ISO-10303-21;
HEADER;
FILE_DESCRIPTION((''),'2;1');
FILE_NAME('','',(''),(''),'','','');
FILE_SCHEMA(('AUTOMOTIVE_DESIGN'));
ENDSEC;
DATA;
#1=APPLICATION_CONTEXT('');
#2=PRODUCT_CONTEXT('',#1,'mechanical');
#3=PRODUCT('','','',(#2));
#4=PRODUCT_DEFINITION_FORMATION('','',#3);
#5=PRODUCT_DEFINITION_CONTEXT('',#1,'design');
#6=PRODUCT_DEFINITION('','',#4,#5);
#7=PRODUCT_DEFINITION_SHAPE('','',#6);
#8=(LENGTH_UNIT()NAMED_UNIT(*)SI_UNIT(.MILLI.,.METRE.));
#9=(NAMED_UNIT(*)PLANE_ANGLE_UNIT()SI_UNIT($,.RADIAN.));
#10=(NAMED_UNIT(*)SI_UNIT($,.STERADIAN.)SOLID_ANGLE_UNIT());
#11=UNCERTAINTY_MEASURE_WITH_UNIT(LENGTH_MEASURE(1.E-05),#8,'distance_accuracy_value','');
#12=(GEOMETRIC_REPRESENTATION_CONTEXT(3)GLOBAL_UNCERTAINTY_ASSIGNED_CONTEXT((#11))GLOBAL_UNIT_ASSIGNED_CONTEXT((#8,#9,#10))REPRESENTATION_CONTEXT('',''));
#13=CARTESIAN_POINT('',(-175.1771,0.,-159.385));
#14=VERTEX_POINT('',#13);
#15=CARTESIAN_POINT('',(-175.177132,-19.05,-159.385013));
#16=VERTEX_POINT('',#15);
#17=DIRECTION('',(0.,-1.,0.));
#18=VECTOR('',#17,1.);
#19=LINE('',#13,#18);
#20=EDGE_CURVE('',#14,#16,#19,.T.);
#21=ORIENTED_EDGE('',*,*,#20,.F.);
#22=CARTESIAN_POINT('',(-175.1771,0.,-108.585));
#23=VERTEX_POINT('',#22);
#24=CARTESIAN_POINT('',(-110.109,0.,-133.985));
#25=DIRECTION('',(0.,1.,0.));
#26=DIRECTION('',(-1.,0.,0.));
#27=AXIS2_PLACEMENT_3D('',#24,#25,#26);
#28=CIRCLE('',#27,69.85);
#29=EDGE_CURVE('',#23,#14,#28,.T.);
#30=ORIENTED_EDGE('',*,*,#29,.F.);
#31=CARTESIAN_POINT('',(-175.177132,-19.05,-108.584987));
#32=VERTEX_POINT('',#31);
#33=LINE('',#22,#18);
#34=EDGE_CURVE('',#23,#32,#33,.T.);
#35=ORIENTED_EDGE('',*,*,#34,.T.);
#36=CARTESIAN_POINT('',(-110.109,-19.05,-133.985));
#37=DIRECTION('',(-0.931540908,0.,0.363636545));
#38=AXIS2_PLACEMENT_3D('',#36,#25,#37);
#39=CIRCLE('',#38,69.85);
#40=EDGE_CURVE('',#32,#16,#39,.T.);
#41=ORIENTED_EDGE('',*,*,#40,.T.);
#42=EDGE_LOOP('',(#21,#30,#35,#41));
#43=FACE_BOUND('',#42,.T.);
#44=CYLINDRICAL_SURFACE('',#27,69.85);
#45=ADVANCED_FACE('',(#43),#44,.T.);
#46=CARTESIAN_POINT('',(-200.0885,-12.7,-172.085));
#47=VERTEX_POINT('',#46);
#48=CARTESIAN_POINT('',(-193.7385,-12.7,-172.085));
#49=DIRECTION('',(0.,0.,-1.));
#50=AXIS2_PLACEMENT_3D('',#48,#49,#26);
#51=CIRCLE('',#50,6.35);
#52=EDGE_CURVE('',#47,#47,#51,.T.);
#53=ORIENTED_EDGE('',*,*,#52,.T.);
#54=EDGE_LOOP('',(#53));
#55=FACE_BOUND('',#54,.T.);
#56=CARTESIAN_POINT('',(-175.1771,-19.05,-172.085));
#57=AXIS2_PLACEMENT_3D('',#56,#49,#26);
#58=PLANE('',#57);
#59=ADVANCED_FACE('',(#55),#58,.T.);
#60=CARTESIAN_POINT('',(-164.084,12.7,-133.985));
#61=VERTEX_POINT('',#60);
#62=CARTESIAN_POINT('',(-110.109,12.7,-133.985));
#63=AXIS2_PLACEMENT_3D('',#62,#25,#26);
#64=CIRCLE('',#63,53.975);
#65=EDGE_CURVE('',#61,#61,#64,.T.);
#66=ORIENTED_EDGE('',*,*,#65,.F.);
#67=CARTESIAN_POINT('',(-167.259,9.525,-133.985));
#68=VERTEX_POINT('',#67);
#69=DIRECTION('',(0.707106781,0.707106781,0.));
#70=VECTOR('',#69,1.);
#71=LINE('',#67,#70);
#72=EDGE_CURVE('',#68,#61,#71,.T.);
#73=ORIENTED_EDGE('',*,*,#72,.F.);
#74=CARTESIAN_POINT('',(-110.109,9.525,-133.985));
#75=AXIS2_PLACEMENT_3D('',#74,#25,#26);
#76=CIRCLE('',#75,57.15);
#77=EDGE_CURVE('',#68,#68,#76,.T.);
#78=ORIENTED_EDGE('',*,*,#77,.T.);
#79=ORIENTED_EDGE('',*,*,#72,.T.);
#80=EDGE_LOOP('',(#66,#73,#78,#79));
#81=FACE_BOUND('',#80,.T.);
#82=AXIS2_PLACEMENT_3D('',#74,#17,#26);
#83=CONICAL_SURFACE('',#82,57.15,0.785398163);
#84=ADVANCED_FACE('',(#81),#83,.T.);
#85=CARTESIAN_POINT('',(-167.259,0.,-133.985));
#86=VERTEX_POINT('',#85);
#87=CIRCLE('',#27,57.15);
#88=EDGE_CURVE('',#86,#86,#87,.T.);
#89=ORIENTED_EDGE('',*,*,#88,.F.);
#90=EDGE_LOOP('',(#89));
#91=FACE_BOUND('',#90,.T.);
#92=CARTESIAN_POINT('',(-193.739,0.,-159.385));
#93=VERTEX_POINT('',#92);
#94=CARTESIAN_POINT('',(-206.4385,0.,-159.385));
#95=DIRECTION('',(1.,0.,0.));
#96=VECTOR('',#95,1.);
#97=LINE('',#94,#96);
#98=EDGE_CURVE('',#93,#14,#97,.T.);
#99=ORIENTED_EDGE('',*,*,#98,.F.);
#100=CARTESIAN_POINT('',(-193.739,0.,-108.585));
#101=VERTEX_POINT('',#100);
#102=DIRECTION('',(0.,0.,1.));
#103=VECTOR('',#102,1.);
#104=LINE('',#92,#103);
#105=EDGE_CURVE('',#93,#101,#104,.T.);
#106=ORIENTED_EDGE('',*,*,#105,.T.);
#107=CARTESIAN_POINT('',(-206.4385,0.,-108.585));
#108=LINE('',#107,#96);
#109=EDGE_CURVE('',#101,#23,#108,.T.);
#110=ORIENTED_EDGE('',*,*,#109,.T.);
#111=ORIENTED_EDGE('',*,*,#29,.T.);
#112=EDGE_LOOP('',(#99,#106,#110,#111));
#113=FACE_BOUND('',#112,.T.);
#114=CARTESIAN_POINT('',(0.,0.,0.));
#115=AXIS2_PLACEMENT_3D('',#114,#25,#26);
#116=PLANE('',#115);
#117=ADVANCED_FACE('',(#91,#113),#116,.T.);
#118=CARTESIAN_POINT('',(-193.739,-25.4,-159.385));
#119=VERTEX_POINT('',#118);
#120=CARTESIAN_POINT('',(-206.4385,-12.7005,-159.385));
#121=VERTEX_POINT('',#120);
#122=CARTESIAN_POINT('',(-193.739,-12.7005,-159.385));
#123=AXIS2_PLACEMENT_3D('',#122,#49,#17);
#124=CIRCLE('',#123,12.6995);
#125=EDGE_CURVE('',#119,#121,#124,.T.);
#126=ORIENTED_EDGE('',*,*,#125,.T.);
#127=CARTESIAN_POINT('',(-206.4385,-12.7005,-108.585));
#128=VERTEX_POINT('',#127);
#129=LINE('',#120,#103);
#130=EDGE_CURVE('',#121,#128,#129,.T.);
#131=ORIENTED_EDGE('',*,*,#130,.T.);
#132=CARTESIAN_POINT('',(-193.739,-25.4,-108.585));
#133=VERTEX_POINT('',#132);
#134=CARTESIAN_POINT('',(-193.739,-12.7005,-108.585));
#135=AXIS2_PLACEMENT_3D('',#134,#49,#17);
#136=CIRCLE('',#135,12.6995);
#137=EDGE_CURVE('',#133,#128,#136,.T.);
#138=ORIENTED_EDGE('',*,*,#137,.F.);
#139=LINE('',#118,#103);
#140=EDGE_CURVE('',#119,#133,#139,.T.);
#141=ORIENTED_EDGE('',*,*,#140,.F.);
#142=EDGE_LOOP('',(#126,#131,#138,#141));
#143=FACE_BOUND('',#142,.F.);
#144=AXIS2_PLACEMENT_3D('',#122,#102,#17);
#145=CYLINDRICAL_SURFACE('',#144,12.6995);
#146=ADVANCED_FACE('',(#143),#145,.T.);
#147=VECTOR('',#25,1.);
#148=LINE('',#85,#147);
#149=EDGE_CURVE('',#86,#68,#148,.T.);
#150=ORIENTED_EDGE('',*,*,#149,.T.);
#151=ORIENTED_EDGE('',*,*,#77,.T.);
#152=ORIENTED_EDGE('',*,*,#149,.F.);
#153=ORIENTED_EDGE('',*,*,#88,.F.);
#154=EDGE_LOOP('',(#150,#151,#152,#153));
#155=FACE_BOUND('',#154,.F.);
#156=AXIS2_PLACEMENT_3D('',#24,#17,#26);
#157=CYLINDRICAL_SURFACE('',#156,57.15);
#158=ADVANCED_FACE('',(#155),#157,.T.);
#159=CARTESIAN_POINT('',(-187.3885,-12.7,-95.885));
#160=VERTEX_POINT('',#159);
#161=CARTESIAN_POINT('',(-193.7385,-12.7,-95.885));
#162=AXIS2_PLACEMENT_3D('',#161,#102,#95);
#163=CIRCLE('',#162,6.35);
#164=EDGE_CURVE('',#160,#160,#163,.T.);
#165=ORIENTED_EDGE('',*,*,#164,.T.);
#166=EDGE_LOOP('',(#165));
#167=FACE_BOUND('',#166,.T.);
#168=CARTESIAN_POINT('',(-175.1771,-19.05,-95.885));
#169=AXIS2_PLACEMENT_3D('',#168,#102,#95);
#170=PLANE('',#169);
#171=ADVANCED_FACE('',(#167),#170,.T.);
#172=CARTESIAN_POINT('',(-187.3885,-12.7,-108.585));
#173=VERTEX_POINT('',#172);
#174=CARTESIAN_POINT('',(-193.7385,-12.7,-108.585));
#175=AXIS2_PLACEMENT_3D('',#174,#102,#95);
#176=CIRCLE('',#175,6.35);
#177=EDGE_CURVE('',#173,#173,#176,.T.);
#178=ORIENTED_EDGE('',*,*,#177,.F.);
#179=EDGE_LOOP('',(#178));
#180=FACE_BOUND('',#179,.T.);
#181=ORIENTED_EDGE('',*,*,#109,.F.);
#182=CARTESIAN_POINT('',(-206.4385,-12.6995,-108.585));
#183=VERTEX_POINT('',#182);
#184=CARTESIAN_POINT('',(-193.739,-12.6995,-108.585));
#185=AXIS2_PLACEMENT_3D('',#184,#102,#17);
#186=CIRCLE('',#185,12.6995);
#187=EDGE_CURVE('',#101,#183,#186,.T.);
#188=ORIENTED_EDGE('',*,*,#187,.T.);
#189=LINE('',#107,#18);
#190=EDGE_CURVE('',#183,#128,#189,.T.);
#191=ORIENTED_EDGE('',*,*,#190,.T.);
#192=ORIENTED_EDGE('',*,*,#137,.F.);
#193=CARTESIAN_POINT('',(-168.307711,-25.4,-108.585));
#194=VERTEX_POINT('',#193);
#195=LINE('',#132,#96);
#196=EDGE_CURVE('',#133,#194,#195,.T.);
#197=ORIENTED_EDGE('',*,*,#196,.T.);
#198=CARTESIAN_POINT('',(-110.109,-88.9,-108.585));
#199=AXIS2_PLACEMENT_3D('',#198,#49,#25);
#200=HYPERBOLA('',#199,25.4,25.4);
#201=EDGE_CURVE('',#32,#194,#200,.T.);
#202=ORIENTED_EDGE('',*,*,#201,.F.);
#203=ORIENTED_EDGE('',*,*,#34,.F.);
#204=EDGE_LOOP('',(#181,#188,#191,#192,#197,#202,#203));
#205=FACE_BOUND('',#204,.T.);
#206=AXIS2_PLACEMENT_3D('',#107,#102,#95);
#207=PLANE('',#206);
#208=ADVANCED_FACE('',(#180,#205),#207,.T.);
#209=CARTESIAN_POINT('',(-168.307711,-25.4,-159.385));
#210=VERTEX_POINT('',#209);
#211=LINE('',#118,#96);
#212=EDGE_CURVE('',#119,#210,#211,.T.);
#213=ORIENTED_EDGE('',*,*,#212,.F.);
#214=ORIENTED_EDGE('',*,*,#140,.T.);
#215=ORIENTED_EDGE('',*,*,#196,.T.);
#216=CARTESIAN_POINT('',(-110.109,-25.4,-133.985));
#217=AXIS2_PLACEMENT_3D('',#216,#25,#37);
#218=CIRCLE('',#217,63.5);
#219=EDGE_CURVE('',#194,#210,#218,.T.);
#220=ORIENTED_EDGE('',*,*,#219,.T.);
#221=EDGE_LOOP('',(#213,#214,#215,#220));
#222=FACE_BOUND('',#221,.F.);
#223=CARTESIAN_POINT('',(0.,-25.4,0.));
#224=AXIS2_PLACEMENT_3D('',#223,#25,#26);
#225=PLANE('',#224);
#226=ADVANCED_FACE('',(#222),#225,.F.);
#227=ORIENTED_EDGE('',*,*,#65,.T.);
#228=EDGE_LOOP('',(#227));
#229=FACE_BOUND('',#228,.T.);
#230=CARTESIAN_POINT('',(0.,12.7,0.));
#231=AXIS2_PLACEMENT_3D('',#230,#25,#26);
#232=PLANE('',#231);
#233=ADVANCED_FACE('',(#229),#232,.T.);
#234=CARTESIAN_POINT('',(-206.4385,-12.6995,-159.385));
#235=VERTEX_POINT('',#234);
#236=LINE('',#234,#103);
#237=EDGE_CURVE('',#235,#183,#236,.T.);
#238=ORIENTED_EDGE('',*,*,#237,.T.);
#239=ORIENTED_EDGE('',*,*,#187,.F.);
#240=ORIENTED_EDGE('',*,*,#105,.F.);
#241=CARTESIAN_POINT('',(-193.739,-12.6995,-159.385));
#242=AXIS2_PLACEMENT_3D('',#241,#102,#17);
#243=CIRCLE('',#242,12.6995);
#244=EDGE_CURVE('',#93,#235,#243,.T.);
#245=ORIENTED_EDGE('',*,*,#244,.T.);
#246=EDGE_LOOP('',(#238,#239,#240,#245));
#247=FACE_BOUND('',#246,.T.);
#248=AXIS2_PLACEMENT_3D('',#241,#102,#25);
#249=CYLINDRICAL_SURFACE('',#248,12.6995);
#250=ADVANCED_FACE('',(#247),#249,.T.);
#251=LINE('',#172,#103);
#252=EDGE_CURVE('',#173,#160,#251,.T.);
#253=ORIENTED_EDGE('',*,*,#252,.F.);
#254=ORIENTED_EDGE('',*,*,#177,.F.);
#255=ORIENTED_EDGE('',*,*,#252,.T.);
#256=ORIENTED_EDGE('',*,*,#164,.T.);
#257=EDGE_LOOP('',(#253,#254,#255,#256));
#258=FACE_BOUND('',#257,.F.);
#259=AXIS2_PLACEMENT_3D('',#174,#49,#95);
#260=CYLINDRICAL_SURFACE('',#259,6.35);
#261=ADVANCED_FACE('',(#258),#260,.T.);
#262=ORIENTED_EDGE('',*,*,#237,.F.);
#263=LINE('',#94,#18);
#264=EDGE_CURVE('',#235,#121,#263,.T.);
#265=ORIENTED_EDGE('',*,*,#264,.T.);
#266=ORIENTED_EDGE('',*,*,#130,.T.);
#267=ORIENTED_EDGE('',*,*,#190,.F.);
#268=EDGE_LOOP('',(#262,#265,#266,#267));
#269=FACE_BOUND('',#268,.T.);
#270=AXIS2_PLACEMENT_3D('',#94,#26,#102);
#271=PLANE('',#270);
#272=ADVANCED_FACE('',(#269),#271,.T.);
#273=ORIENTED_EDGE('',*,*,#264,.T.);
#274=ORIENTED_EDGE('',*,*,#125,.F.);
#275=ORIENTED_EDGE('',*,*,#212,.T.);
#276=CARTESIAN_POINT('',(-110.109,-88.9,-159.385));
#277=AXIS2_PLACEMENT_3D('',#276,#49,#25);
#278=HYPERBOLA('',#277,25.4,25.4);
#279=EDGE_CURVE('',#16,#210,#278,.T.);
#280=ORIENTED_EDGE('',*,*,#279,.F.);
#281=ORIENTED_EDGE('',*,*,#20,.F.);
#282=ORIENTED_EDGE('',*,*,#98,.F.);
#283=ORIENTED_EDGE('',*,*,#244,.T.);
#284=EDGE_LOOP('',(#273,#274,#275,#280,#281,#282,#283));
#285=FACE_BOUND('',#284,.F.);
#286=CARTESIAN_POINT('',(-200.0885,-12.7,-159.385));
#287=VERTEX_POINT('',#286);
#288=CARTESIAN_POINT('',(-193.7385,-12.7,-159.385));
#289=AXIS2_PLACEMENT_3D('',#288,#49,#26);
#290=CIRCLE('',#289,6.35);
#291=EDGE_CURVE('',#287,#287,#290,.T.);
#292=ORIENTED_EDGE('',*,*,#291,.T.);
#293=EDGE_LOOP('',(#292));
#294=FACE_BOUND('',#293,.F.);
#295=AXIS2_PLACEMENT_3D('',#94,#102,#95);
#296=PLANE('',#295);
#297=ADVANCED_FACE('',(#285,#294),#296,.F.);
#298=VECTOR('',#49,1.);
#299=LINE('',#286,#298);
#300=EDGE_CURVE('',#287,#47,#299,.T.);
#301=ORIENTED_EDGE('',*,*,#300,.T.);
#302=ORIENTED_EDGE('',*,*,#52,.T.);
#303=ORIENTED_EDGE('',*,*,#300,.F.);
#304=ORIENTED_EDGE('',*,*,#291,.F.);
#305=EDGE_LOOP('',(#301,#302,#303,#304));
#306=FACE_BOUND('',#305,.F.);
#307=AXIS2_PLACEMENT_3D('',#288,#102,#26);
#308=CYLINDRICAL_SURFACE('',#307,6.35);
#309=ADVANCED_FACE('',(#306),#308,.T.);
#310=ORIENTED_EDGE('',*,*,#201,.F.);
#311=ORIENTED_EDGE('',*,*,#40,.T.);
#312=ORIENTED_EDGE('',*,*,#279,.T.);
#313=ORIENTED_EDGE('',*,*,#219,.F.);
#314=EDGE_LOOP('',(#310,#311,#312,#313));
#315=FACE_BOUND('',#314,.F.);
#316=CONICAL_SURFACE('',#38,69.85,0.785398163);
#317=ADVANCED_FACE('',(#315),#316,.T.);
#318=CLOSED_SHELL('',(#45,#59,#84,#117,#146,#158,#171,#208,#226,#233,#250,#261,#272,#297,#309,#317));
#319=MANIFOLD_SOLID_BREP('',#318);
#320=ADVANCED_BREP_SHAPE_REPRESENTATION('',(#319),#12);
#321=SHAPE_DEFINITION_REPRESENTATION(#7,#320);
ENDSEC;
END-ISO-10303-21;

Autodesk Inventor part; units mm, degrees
ref_plane "YZ Plane" through (0, 0, 0) normal (1, 0, 0) x (0, 1, 0)
ref_plane "XZ Plane" through (0, 0, 0) normal (0, 1, 0) x (-1, 0, 0)
ref_plane "XY Plane" through (0, 0, 0) normal (0, 0, 1) x (1, 0, 0)
sketch "Sketch1" plane through (0, 0, 0) normal (0, 1, 0) x (-1, 0, 0)
  circle A0 centre (110.109, -133.985) radius 57.15
  circle A1 centre (110.109, -133.985) radius 50.8
  circle A2 centre (110.109, -133.985) radius 69.85
  line L0 (206.4385, -159.385) -> (175.1771, -159.385)
  line L1 (206.4385, -159.385) -> (206.4385, -108.585)
  line L2 (206.4385, -108.585) -> (175.1771, -108.585)
  point P0 (0, 0)
  dimension "d51" = 139.7
  dimension "d11" = 114.3
  dimension "d12" = 101.6
extrude "Extrusion11" add sketch "Sketch1" against normal blind 25.4 contours A0 | A1 | A2 | A2 L2 L1 L0
extrude "Extrusion12" add sketch "Sketch1" along normal blind 12.7 contours A0 | A1
chamfer "Chamfer1" distance 3.175 angle 45 1 edges at (-52.959, 12.7, -133.985)
chamfer "Chamfer2" distance 6.35 angle 45 1 edges at (-40.259, -25.4, -133.985)
fillet "Fillet2" radius 12.7 2 edges at (-206.4385, -25.4, -133.985) (-206.4385, 0, -133.985)
sketch "Sketch5" plane through (-175.1771, -19.05, -108.585) normal (0, 0, 1) x (1, 0, 0)
  arc A0 (-18.5614, 19.05) -> (-18.5614, -6.35) centre (-18.5614, 6.35) ccw projected
  circle A1 centre (-18.5614, 6.35) radius 6.35
  point P0 (175.1771, 19.05)
  dimension "d63" = 12.7
extrude "Extrusion13" add sketch "Sketch5" along normal blind 12.7
sketch "Sketch6" plane through (-175.1771, -19.05, -159.385) normal (0, 0, -1) x (-1, 0, 0)
  arc A0 (18.5614, -6.35) -> (18.5614, 19.05) centre (18.5614, 6.35) ccw projected
  circle A1 centre (18.5614, 6.35) radius 6.35
  point P0 (-175.1771, 19.05)
  dimension "d66" = 12.7
extrude "Extrusion14" add sketch "Sketch6" along normal blind 12.7
properties part number "Access Hatch"
